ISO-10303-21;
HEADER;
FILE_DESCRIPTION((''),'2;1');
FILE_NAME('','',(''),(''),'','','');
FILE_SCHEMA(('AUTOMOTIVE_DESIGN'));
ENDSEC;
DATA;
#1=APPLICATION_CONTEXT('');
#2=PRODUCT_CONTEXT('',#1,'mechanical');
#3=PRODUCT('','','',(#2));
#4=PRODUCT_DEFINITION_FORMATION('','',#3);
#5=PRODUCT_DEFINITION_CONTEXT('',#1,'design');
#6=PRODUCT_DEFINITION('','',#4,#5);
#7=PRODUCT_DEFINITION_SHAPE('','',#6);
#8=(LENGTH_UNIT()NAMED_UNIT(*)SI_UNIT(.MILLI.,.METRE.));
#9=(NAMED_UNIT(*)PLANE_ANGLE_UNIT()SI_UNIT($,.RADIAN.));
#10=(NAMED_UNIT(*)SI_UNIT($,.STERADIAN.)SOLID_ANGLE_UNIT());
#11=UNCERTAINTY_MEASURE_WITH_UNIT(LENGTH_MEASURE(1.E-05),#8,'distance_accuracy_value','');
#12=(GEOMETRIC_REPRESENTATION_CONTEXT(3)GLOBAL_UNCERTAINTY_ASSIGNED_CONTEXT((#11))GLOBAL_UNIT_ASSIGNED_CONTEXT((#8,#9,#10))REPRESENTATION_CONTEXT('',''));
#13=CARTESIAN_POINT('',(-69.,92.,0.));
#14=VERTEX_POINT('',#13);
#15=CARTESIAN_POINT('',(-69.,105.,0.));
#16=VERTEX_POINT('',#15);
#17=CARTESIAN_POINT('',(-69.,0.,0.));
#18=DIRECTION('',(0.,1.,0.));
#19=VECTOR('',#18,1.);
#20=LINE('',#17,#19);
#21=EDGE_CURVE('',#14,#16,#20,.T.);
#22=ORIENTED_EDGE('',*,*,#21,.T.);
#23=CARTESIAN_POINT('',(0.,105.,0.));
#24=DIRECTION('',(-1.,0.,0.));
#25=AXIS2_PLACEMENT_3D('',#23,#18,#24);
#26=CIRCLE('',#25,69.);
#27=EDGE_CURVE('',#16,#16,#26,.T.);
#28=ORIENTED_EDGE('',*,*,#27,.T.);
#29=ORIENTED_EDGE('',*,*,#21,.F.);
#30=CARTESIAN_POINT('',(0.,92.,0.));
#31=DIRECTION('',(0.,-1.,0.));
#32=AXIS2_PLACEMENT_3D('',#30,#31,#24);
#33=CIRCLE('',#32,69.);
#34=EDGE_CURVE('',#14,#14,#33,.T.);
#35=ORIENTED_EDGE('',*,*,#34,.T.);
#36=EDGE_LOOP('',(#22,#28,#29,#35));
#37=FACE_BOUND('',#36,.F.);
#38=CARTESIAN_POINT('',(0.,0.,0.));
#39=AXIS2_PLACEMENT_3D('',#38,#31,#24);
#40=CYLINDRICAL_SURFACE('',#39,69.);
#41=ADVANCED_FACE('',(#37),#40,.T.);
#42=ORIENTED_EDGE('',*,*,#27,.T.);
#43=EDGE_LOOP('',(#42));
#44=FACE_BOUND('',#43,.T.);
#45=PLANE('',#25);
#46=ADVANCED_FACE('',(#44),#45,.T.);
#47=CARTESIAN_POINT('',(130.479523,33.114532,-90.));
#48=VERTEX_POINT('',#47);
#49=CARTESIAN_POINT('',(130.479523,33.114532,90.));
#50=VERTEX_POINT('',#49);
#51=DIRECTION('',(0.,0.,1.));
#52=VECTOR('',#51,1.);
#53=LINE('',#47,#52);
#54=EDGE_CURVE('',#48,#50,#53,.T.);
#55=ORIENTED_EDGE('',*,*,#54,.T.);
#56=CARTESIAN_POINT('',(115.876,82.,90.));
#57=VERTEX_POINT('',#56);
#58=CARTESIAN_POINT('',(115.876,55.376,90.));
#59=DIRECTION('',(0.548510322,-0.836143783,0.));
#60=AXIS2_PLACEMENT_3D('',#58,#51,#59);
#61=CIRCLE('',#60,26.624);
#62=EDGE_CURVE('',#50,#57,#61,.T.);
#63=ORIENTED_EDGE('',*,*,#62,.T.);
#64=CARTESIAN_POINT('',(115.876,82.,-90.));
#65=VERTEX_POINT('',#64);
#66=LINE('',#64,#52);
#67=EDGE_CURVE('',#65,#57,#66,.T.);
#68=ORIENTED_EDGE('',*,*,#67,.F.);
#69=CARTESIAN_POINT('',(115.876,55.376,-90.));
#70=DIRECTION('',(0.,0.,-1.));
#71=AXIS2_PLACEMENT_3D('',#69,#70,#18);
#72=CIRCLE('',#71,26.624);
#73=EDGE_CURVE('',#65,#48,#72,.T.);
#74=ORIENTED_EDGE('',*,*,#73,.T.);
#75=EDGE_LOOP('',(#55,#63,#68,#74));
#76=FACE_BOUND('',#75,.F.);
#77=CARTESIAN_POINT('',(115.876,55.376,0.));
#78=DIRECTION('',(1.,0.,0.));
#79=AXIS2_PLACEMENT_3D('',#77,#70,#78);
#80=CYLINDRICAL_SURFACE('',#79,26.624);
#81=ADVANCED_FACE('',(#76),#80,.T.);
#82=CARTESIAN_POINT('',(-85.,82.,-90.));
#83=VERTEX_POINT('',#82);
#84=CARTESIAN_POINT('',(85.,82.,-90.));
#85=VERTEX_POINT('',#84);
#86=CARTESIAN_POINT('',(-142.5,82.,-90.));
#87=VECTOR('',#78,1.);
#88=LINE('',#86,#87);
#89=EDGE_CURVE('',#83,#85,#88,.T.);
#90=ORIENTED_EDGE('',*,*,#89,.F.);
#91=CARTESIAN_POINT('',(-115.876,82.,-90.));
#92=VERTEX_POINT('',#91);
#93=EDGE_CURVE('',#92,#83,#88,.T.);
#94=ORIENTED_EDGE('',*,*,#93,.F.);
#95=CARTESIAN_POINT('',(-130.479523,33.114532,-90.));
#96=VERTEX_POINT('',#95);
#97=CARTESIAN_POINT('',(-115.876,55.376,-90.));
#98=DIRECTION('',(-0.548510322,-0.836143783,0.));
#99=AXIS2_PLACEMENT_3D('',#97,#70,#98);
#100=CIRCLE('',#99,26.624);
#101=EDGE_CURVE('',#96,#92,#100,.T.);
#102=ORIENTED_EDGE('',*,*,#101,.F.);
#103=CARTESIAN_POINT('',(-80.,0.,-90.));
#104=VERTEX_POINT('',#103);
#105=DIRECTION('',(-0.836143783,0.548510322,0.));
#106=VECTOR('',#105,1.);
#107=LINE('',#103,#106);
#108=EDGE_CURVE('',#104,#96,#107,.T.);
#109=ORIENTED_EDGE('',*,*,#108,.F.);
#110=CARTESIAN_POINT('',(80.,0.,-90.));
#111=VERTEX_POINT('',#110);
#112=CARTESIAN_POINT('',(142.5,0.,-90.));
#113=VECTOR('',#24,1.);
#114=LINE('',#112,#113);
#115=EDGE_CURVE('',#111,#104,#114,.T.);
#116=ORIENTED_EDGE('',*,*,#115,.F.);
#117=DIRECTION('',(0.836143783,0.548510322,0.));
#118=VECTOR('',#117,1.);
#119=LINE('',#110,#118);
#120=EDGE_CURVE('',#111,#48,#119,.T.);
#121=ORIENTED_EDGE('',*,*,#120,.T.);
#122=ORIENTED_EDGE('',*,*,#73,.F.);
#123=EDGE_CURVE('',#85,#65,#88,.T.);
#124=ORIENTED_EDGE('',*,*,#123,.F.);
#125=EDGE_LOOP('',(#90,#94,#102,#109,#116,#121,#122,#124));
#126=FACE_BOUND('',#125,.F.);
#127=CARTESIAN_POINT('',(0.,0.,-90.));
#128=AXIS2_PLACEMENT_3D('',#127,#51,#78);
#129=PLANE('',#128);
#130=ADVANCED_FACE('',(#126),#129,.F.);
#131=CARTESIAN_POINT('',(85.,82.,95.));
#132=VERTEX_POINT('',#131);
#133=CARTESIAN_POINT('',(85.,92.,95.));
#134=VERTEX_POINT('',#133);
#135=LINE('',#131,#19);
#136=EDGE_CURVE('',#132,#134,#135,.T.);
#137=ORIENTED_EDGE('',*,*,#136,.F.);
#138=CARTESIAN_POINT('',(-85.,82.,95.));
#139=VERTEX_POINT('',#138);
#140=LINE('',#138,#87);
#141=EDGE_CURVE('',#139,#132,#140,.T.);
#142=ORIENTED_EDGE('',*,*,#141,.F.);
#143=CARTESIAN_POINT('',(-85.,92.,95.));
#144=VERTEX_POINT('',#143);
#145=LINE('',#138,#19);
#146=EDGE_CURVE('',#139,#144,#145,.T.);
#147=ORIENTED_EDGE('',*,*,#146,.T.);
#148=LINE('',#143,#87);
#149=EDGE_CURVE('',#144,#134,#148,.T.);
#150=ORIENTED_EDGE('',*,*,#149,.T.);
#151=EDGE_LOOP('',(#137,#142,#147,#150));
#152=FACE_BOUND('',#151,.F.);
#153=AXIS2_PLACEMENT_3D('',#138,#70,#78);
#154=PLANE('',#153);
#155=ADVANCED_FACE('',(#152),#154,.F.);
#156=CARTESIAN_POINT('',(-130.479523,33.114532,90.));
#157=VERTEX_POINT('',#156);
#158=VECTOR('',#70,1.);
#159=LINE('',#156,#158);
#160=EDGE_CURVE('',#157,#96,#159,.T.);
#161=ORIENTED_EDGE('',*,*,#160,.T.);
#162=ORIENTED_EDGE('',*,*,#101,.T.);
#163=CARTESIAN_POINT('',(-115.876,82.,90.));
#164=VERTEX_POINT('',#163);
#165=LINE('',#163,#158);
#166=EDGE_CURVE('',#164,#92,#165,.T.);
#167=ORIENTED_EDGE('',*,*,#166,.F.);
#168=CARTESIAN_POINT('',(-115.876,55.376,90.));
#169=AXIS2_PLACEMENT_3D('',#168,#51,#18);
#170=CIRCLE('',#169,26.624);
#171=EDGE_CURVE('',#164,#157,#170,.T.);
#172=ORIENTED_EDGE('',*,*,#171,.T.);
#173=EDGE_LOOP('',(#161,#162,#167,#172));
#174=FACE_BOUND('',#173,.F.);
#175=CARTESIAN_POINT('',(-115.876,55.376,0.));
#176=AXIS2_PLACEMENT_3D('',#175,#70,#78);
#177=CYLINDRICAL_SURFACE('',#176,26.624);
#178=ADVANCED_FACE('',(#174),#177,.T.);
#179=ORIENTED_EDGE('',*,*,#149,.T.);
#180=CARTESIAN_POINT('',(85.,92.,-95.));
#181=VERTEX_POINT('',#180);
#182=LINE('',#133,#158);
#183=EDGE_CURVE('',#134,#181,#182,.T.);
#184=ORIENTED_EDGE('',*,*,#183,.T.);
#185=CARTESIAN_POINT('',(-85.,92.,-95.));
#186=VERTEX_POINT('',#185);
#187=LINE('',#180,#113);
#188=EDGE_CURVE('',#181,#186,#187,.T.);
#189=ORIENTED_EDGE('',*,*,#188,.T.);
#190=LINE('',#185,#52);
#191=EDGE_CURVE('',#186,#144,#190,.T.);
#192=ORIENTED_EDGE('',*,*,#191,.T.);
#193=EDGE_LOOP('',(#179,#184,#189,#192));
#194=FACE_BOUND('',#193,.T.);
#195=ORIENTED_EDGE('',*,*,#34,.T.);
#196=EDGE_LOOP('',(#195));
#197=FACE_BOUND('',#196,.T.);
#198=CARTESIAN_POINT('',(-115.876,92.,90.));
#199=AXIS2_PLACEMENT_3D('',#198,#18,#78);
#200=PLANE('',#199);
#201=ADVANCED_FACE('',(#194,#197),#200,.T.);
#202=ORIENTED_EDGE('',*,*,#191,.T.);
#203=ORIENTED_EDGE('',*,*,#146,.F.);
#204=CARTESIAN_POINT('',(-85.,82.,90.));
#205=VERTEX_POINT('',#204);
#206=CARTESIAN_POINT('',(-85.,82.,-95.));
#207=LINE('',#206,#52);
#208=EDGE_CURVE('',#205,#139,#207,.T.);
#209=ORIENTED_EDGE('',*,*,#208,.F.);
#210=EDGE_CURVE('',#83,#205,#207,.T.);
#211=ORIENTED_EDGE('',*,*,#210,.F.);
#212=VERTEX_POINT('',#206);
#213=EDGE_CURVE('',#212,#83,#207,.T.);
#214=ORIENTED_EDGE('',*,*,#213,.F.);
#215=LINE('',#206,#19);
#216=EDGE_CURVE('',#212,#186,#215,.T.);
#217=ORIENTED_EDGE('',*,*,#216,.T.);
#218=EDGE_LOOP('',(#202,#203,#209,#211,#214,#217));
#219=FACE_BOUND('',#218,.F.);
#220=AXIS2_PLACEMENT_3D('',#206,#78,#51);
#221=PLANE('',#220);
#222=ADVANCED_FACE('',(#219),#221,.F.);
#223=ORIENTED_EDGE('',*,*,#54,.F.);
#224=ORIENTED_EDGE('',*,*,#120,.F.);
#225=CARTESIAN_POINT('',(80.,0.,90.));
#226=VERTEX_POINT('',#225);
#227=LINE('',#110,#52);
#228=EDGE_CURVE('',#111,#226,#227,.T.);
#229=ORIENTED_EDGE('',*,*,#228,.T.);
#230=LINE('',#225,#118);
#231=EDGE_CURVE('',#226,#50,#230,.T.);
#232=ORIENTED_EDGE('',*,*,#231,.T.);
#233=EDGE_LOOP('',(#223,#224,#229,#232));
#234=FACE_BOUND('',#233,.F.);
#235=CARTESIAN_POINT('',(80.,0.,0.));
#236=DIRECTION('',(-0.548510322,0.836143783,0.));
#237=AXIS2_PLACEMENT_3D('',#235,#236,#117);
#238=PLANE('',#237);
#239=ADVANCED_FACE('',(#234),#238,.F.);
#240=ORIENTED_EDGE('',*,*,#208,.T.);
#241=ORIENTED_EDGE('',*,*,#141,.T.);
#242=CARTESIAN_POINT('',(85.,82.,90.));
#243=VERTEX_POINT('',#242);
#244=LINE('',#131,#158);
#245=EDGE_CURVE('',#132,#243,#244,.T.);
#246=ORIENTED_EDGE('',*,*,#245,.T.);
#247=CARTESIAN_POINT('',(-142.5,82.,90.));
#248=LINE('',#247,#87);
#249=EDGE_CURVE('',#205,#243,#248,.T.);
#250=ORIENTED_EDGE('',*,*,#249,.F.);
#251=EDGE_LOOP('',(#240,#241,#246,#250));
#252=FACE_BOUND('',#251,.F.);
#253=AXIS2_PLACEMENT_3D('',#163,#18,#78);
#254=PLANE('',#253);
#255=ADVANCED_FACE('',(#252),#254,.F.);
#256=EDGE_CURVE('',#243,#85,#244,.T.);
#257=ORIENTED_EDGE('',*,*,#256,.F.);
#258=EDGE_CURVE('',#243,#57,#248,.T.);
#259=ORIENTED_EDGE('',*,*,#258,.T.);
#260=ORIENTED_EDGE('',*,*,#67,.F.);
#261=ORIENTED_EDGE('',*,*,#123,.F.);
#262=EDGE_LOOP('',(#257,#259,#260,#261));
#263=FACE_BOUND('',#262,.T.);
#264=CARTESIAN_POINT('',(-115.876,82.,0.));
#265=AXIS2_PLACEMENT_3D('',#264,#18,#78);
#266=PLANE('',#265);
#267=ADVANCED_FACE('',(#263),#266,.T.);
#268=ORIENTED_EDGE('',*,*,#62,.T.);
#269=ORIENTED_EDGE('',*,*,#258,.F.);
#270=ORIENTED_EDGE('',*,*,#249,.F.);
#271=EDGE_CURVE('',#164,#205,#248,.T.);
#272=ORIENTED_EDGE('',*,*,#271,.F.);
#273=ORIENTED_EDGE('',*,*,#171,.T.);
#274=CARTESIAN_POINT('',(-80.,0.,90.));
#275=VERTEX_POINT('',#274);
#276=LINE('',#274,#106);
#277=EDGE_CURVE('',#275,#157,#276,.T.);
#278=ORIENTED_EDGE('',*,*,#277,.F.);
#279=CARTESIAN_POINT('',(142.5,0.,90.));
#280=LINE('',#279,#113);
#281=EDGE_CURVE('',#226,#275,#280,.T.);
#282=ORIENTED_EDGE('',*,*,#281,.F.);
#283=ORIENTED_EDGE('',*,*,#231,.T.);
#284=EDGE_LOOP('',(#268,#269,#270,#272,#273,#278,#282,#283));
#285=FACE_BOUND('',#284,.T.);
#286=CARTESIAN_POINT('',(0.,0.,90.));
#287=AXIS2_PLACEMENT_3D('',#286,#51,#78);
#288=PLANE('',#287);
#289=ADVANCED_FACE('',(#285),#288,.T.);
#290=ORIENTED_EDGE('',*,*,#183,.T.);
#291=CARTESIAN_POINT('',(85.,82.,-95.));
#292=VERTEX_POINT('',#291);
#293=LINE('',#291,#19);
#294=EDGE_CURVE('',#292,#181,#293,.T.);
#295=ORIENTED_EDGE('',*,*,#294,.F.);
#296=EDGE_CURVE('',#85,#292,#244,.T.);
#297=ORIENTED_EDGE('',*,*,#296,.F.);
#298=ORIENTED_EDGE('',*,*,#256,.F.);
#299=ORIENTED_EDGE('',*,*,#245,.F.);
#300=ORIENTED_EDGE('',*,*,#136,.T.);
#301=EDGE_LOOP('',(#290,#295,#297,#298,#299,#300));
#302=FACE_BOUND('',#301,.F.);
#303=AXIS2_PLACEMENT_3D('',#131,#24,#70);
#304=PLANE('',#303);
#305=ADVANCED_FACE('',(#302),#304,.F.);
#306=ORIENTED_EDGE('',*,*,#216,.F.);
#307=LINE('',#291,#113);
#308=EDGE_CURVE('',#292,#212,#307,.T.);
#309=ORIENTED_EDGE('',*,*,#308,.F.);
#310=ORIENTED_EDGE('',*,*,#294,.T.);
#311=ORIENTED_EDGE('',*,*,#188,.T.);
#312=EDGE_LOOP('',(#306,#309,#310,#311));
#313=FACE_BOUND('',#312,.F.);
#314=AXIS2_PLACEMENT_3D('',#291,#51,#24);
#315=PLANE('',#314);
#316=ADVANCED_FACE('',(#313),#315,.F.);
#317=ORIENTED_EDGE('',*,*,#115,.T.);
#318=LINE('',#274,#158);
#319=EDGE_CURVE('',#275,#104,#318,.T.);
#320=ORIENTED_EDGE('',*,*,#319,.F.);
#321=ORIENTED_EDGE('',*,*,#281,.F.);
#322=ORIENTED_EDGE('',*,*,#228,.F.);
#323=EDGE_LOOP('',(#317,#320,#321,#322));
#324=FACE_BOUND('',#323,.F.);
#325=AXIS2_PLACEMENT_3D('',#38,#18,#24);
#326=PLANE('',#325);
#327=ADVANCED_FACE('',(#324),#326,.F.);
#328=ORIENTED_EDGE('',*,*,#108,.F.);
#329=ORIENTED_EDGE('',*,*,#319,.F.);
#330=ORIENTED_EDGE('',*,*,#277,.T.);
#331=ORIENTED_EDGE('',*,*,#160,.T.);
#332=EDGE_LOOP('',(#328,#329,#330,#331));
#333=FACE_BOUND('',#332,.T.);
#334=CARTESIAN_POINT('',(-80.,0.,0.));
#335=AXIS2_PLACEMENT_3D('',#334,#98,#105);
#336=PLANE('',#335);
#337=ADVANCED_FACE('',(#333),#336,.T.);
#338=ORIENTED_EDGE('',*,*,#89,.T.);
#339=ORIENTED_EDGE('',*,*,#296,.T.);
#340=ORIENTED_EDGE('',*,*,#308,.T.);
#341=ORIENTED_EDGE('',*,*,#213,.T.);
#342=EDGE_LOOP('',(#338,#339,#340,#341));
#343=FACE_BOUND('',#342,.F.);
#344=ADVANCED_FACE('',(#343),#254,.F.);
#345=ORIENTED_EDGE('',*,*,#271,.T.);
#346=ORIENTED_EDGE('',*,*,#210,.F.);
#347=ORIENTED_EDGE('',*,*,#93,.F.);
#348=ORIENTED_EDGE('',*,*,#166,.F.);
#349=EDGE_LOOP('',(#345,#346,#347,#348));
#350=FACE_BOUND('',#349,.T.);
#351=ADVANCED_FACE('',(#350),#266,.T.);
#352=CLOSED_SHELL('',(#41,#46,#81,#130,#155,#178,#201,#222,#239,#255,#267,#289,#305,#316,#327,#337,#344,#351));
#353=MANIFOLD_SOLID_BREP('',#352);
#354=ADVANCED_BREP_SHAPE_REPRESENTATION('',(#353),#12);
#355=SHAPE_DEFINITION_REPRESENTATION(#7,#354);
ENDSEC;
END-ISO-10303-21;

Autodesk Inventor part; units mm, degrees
ref_plane "YZ Plane" through (0, 0, 0) normal (1, 0, 0) x (0, 1, 0)
ref_plane "XZ Plane" through (0, 0, 0) normal (0, 1, 0) x (-1, 0, 0)
ref_plane "XY Plane" through (0, 0, 0) normal (0, 0, 1) x (1, 0, 0)
sketch "Sketch1" plane through (0, 0, 0) normal (0, 0, 1) x (1, 0, 0)
  line L0 (-142.5, 102) -> (142.5, 102) construction
  line L1 (142.5, 102) -> (142.5, 82) construction
  line L2 (142.5, 0) -> (-142.5, 0)
  line L3 (-142.5, 0) -> (-142.5, 82)
  line L4 (-142.5, 82) -> (142.5, 82)
  line L5 (142.5, 82) -> (142.5, 0)
  line L6 (80, 0) -> (142.5, 41)
  circle A0 centre (115.876, 55.376) radius 26.624
  line L7 (-142.5, 82) -> (-142.5, 102) construction
  line L8 (-80, 0) -> (-142.5, 41)
  circle A1 centre (-115.876, 55.376) radius 26.624
  point P0 (0, 0)
  point P1 (0, 0)
  point P2 (-130.4796, 33.1146)
  point P3 (130.4796, 33.1146)
  point P4 (115.876, 82)
  point P5 (-115.876, 82)
  dimension "d7" = 285
  dimension "d8" = 102
  dimension "d9" = 82
  dimension "d13" = 80
  dimension "d14" = 80
extrude "Extrusion1" add sketch "Sketch1" along normal mid plane 180 contours L2 L8 A1 L4 A0 L6 | A0 | A1
sketch "Sketch2" plane through (-115.876, 82, 90) normal (0, 1, 0) x (1, 0, 0)
  line L0 (30.876, -5) -> (200.876, -5)
  line L1 (200.876, -5) -> (200.876, 185)
  line L2 (200.876, 185) -> (30.876, 185)
  line L3 (30.876, 185) -> (30.876, -5)
  line L4 (30.876, -5) -> (200.876, 185) construction
  point P0 (115.876, 90)
  point P1 (115.876, 90)
  dimension "d17" = 190
  dimension "d18" = 170
extrude "Extrusion2" add sketch "Sketch2" along normal blind 10
sketch "Sketch3" plane through (0, 0, 0) normal (0, 1, 0) x (-1, 0, 0)
  circle A0 centre (0, 0) radius 69
  dimension "d21" = 138
extrude "Extrusion3" add sketch "Sketch3" along normal blind 105
equation "\"d14\" = d13"
properties part number "Roller platform"
